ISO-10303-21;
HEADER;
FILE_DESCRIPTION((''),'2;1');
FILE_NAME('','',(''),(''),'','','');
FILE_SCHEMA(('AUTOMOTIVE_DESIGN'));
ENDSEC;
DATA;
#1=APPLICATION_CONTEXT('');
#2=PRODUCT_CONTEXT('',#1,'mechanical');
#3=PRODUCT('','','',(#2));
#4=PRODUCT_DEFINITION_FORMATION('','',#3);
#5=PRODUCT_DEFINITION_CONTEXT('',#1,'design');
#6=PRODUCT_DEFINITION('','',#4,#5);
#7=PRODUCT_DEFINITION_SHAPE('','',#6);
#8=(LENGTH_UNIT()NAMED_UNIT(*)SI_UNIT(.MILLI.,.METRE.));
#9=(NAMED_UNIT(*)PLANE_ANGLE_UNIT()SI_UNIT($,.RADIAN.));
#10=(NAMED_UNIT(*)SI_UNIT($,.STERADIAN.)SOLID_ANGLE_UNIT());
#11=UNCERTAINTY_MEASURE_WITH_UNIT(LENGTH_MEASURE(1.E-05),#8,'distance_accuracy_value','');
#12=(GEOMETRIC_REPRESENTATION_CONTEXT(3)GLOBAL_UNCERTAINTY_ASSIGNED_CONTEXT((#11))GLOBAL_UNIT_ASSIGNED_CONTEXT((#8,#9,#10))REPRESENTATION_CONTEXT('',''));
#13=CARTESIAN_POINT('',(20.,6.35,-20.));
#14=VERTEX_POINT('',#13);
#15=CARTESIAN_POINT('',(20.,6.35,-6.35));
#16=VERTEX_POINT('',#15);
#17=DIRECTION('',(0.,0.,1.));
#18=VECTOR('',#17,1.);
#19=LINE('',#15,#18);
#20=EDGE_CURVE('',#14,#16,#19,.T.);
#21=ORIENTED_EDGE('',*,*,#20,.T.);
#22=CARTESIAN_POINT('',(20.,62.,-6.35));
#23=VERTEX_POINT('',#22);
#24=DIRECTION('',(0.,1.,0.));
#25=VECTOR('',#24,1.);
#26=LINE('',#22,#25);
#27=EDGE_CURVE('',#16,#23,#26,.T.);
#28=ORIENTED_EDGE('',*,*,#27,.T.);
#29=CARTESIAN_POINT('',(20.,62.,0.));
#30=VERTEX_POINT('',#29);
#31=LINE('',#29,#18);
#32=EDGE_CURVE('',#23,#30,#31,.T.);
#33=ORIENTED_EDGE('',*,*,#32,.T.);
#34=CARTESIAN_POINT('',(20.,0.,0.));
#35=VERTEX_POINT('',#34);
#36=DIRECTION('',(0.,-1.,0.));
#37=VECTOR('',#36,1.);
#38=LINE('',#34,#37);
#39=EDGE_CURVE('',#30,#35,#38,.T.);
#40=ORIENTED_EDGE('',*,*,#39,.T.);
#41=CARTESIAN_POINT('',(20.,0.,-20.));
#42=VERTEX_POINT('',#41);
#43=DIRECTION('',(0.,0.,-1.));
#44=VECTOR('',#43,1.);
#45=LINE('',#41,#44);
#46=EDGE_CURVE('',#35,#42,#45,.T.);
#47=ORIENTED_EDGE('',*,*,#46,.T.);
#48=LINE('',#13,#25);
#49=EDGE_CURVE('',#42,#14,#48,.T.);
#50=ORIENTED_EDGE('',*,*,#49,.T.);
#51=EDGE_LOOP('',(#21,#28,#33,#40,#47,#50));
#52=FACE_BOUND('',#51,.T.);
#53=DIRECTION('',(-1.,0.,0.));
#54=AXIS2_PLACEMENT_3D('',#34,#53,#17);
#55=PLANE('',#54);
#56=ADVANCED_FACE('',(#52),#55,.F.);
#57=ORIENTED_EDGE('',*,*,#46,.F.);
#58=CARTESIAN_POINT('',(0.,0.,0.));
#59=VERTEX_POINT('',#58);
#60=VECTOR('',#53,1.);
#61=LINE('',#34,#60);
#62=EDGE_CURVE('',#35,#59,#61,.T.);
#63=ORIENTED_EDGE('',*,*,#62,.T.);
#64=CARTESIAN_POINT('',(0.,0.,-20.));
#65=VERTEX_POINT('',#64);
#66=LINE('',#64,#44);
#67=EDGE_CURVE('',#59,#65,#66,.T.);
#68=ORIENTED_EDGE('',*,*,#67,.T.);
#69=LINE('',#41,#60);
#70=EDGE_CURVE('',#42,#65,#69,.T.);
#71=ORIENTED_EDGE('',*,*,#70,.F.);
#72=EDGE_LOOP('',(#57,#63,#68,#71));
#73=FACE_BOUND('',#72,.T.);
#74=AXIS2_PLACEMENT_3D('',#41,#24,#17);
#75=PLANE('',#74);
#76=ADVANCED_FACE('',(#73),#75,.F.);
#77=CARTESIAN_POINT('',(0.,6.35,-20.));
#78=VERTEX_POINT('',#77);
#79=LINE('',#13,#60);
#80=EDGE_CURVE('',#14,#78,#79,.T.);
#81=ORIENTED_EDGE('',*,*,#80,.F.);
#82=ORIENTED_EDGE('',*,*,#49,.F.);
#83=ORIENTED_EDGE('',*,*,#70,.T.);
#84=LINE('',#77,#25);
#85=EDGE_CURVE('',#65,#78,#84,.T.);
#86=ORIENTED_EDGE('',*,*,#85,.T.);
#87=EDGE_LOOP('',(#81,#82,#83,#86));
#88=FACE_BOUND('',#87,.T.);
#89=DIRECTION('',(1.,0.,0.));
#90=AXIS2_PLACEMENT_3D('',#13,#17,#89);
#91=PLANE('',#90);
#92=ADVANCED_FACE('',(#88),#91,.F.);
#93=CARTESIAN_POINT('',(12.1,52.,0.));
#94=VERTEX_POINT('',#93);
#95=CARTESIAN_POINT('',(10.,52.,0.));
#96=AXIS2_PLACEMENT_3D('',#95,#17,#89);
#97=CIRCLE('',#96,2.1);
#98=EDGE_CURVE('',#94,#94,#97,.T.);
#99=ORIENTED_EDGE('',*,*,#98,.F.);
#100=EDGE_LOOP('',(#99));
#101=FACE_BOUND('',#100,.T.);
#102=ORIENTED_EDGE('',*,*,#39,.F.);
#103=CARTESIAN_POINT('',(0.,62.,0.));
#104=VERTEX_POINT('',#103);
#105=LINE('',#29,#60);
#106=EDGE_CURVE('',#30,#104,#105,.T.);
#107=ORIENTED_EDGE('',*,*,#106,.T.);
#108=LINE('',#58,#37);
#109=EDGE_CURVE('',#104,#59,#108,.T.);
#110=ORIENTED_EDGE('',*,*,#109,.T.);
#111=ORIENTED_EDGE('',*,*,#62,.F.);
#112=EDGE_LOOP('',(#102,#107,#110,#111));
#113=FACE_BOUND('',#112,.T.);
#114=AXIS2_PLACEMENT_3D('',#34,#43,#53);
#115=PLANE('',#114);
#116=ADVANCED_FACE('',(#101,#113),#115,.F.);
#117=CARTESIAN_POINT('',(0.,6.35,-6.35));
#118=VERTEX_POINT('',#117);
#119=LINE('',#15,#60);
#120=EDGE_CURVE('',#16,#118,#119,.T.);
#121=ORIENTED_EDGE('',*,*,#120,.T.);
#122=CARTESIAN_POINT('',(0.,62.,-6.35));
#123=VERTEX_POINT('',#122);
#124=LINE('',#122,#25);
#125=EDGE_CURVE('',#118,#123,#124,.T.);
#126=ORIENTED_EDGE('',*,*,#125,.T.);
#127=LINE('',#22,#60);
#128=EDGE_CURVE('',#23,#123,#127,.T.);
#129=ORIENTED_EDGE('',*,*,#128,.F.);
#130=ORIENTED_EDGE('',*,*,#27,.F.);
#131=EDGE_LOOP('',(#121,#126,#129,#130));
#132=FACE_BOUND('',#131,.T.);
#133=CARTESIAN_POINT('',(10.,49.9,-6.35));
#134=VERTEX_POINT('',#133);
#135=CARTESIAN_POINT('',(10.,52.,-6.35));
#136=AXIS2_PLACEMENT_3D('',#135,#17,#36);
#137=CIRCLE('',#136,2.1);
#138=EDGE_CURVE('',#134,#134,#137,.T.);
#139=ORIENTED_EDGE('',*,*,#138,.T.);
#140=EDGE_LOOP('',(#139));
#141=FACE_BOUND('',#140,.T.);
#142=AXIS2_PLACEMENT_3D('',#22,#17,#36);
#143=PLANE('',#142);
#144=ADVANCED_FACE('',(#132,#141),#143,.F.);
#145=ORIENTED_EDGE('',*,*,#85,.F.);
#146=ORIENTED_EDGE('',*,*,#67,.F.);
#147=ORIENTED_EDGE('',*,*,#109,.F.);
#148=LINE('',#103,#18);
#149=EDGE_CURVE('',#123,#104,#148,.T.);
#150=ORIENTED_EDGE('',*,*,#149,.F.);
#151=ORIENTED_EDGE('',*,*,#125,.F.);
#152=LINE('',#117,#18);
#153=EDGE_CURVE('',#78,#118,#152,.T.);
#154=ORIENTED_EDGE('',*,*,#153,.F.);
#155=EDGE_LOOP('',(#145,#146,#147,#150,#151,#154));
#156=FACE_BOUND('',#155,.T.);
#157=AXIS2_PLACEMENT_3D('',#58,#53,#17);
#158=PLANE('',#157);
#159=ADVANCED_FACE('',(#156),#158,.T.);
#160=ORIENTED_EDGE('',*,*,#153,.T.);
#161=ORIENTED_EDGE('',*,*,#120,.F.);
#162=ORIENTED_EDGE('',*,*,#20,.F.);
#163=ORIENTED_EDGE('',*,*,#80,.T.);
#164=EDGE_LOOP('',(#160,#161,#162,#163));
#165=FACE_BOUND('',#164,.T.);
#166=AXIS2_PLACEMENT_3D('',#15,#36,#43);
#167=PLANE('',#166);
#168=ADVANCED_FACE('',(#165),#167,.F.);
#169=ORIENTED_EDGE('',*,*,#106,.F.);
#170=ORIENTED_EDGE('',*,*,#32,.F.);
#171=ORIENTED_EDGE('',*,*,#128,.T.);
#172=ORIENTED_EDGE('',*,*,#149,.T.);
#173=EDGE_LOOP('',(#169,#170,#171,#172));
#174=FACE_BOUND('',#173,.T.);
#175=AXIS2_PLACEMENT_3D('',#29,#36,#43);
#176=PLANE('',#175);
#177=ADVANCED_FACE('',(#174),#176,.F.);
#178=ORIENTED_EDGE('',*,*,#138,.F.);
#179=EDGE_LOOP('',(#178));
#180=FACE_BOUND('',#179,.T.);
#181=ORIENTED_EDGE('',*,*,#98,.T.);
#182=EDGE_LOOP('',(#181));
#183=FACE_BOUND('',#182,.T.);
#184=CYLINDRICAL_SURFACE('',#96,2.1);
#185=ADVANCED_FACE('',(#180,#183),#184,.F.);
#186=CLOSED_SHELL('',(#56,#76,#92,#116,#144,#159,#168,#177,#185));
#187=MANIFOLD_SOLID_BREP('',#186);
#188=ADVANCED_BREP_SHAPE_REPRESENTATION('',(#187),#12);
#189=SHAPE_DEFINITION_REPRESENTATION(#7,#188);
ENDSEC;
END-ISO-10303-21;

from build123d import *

# Parameters (mm, degrees)
BOSS_EXTRUDE1_DEPTH = 20
M5_TAPPED_HOLE1_D   = 4.2


with BuildPart() as part:
    # Sketch1 → Boss-Extrude1 (new body)
    with BuildSketch(Plane(origin=(0, 0, 0), x_dir=(0, 0, -1), z_dir=(1, 0, 0))):
        Polygon((0, 0), (0, 62), (6.35, 62), (6.35, 6.35), (20, 6.35), (20, 0), align=None)
    extrude(amount=BOSS_EXTRUDE1_DEPTH)

    # M5 Tapped Hole1 (through all)
    with Locations(Plane.XY):
        with Locations((10, 52)):
            Hole(M5_TAPPED_HOLE1_D / 2)


solid = part.part
